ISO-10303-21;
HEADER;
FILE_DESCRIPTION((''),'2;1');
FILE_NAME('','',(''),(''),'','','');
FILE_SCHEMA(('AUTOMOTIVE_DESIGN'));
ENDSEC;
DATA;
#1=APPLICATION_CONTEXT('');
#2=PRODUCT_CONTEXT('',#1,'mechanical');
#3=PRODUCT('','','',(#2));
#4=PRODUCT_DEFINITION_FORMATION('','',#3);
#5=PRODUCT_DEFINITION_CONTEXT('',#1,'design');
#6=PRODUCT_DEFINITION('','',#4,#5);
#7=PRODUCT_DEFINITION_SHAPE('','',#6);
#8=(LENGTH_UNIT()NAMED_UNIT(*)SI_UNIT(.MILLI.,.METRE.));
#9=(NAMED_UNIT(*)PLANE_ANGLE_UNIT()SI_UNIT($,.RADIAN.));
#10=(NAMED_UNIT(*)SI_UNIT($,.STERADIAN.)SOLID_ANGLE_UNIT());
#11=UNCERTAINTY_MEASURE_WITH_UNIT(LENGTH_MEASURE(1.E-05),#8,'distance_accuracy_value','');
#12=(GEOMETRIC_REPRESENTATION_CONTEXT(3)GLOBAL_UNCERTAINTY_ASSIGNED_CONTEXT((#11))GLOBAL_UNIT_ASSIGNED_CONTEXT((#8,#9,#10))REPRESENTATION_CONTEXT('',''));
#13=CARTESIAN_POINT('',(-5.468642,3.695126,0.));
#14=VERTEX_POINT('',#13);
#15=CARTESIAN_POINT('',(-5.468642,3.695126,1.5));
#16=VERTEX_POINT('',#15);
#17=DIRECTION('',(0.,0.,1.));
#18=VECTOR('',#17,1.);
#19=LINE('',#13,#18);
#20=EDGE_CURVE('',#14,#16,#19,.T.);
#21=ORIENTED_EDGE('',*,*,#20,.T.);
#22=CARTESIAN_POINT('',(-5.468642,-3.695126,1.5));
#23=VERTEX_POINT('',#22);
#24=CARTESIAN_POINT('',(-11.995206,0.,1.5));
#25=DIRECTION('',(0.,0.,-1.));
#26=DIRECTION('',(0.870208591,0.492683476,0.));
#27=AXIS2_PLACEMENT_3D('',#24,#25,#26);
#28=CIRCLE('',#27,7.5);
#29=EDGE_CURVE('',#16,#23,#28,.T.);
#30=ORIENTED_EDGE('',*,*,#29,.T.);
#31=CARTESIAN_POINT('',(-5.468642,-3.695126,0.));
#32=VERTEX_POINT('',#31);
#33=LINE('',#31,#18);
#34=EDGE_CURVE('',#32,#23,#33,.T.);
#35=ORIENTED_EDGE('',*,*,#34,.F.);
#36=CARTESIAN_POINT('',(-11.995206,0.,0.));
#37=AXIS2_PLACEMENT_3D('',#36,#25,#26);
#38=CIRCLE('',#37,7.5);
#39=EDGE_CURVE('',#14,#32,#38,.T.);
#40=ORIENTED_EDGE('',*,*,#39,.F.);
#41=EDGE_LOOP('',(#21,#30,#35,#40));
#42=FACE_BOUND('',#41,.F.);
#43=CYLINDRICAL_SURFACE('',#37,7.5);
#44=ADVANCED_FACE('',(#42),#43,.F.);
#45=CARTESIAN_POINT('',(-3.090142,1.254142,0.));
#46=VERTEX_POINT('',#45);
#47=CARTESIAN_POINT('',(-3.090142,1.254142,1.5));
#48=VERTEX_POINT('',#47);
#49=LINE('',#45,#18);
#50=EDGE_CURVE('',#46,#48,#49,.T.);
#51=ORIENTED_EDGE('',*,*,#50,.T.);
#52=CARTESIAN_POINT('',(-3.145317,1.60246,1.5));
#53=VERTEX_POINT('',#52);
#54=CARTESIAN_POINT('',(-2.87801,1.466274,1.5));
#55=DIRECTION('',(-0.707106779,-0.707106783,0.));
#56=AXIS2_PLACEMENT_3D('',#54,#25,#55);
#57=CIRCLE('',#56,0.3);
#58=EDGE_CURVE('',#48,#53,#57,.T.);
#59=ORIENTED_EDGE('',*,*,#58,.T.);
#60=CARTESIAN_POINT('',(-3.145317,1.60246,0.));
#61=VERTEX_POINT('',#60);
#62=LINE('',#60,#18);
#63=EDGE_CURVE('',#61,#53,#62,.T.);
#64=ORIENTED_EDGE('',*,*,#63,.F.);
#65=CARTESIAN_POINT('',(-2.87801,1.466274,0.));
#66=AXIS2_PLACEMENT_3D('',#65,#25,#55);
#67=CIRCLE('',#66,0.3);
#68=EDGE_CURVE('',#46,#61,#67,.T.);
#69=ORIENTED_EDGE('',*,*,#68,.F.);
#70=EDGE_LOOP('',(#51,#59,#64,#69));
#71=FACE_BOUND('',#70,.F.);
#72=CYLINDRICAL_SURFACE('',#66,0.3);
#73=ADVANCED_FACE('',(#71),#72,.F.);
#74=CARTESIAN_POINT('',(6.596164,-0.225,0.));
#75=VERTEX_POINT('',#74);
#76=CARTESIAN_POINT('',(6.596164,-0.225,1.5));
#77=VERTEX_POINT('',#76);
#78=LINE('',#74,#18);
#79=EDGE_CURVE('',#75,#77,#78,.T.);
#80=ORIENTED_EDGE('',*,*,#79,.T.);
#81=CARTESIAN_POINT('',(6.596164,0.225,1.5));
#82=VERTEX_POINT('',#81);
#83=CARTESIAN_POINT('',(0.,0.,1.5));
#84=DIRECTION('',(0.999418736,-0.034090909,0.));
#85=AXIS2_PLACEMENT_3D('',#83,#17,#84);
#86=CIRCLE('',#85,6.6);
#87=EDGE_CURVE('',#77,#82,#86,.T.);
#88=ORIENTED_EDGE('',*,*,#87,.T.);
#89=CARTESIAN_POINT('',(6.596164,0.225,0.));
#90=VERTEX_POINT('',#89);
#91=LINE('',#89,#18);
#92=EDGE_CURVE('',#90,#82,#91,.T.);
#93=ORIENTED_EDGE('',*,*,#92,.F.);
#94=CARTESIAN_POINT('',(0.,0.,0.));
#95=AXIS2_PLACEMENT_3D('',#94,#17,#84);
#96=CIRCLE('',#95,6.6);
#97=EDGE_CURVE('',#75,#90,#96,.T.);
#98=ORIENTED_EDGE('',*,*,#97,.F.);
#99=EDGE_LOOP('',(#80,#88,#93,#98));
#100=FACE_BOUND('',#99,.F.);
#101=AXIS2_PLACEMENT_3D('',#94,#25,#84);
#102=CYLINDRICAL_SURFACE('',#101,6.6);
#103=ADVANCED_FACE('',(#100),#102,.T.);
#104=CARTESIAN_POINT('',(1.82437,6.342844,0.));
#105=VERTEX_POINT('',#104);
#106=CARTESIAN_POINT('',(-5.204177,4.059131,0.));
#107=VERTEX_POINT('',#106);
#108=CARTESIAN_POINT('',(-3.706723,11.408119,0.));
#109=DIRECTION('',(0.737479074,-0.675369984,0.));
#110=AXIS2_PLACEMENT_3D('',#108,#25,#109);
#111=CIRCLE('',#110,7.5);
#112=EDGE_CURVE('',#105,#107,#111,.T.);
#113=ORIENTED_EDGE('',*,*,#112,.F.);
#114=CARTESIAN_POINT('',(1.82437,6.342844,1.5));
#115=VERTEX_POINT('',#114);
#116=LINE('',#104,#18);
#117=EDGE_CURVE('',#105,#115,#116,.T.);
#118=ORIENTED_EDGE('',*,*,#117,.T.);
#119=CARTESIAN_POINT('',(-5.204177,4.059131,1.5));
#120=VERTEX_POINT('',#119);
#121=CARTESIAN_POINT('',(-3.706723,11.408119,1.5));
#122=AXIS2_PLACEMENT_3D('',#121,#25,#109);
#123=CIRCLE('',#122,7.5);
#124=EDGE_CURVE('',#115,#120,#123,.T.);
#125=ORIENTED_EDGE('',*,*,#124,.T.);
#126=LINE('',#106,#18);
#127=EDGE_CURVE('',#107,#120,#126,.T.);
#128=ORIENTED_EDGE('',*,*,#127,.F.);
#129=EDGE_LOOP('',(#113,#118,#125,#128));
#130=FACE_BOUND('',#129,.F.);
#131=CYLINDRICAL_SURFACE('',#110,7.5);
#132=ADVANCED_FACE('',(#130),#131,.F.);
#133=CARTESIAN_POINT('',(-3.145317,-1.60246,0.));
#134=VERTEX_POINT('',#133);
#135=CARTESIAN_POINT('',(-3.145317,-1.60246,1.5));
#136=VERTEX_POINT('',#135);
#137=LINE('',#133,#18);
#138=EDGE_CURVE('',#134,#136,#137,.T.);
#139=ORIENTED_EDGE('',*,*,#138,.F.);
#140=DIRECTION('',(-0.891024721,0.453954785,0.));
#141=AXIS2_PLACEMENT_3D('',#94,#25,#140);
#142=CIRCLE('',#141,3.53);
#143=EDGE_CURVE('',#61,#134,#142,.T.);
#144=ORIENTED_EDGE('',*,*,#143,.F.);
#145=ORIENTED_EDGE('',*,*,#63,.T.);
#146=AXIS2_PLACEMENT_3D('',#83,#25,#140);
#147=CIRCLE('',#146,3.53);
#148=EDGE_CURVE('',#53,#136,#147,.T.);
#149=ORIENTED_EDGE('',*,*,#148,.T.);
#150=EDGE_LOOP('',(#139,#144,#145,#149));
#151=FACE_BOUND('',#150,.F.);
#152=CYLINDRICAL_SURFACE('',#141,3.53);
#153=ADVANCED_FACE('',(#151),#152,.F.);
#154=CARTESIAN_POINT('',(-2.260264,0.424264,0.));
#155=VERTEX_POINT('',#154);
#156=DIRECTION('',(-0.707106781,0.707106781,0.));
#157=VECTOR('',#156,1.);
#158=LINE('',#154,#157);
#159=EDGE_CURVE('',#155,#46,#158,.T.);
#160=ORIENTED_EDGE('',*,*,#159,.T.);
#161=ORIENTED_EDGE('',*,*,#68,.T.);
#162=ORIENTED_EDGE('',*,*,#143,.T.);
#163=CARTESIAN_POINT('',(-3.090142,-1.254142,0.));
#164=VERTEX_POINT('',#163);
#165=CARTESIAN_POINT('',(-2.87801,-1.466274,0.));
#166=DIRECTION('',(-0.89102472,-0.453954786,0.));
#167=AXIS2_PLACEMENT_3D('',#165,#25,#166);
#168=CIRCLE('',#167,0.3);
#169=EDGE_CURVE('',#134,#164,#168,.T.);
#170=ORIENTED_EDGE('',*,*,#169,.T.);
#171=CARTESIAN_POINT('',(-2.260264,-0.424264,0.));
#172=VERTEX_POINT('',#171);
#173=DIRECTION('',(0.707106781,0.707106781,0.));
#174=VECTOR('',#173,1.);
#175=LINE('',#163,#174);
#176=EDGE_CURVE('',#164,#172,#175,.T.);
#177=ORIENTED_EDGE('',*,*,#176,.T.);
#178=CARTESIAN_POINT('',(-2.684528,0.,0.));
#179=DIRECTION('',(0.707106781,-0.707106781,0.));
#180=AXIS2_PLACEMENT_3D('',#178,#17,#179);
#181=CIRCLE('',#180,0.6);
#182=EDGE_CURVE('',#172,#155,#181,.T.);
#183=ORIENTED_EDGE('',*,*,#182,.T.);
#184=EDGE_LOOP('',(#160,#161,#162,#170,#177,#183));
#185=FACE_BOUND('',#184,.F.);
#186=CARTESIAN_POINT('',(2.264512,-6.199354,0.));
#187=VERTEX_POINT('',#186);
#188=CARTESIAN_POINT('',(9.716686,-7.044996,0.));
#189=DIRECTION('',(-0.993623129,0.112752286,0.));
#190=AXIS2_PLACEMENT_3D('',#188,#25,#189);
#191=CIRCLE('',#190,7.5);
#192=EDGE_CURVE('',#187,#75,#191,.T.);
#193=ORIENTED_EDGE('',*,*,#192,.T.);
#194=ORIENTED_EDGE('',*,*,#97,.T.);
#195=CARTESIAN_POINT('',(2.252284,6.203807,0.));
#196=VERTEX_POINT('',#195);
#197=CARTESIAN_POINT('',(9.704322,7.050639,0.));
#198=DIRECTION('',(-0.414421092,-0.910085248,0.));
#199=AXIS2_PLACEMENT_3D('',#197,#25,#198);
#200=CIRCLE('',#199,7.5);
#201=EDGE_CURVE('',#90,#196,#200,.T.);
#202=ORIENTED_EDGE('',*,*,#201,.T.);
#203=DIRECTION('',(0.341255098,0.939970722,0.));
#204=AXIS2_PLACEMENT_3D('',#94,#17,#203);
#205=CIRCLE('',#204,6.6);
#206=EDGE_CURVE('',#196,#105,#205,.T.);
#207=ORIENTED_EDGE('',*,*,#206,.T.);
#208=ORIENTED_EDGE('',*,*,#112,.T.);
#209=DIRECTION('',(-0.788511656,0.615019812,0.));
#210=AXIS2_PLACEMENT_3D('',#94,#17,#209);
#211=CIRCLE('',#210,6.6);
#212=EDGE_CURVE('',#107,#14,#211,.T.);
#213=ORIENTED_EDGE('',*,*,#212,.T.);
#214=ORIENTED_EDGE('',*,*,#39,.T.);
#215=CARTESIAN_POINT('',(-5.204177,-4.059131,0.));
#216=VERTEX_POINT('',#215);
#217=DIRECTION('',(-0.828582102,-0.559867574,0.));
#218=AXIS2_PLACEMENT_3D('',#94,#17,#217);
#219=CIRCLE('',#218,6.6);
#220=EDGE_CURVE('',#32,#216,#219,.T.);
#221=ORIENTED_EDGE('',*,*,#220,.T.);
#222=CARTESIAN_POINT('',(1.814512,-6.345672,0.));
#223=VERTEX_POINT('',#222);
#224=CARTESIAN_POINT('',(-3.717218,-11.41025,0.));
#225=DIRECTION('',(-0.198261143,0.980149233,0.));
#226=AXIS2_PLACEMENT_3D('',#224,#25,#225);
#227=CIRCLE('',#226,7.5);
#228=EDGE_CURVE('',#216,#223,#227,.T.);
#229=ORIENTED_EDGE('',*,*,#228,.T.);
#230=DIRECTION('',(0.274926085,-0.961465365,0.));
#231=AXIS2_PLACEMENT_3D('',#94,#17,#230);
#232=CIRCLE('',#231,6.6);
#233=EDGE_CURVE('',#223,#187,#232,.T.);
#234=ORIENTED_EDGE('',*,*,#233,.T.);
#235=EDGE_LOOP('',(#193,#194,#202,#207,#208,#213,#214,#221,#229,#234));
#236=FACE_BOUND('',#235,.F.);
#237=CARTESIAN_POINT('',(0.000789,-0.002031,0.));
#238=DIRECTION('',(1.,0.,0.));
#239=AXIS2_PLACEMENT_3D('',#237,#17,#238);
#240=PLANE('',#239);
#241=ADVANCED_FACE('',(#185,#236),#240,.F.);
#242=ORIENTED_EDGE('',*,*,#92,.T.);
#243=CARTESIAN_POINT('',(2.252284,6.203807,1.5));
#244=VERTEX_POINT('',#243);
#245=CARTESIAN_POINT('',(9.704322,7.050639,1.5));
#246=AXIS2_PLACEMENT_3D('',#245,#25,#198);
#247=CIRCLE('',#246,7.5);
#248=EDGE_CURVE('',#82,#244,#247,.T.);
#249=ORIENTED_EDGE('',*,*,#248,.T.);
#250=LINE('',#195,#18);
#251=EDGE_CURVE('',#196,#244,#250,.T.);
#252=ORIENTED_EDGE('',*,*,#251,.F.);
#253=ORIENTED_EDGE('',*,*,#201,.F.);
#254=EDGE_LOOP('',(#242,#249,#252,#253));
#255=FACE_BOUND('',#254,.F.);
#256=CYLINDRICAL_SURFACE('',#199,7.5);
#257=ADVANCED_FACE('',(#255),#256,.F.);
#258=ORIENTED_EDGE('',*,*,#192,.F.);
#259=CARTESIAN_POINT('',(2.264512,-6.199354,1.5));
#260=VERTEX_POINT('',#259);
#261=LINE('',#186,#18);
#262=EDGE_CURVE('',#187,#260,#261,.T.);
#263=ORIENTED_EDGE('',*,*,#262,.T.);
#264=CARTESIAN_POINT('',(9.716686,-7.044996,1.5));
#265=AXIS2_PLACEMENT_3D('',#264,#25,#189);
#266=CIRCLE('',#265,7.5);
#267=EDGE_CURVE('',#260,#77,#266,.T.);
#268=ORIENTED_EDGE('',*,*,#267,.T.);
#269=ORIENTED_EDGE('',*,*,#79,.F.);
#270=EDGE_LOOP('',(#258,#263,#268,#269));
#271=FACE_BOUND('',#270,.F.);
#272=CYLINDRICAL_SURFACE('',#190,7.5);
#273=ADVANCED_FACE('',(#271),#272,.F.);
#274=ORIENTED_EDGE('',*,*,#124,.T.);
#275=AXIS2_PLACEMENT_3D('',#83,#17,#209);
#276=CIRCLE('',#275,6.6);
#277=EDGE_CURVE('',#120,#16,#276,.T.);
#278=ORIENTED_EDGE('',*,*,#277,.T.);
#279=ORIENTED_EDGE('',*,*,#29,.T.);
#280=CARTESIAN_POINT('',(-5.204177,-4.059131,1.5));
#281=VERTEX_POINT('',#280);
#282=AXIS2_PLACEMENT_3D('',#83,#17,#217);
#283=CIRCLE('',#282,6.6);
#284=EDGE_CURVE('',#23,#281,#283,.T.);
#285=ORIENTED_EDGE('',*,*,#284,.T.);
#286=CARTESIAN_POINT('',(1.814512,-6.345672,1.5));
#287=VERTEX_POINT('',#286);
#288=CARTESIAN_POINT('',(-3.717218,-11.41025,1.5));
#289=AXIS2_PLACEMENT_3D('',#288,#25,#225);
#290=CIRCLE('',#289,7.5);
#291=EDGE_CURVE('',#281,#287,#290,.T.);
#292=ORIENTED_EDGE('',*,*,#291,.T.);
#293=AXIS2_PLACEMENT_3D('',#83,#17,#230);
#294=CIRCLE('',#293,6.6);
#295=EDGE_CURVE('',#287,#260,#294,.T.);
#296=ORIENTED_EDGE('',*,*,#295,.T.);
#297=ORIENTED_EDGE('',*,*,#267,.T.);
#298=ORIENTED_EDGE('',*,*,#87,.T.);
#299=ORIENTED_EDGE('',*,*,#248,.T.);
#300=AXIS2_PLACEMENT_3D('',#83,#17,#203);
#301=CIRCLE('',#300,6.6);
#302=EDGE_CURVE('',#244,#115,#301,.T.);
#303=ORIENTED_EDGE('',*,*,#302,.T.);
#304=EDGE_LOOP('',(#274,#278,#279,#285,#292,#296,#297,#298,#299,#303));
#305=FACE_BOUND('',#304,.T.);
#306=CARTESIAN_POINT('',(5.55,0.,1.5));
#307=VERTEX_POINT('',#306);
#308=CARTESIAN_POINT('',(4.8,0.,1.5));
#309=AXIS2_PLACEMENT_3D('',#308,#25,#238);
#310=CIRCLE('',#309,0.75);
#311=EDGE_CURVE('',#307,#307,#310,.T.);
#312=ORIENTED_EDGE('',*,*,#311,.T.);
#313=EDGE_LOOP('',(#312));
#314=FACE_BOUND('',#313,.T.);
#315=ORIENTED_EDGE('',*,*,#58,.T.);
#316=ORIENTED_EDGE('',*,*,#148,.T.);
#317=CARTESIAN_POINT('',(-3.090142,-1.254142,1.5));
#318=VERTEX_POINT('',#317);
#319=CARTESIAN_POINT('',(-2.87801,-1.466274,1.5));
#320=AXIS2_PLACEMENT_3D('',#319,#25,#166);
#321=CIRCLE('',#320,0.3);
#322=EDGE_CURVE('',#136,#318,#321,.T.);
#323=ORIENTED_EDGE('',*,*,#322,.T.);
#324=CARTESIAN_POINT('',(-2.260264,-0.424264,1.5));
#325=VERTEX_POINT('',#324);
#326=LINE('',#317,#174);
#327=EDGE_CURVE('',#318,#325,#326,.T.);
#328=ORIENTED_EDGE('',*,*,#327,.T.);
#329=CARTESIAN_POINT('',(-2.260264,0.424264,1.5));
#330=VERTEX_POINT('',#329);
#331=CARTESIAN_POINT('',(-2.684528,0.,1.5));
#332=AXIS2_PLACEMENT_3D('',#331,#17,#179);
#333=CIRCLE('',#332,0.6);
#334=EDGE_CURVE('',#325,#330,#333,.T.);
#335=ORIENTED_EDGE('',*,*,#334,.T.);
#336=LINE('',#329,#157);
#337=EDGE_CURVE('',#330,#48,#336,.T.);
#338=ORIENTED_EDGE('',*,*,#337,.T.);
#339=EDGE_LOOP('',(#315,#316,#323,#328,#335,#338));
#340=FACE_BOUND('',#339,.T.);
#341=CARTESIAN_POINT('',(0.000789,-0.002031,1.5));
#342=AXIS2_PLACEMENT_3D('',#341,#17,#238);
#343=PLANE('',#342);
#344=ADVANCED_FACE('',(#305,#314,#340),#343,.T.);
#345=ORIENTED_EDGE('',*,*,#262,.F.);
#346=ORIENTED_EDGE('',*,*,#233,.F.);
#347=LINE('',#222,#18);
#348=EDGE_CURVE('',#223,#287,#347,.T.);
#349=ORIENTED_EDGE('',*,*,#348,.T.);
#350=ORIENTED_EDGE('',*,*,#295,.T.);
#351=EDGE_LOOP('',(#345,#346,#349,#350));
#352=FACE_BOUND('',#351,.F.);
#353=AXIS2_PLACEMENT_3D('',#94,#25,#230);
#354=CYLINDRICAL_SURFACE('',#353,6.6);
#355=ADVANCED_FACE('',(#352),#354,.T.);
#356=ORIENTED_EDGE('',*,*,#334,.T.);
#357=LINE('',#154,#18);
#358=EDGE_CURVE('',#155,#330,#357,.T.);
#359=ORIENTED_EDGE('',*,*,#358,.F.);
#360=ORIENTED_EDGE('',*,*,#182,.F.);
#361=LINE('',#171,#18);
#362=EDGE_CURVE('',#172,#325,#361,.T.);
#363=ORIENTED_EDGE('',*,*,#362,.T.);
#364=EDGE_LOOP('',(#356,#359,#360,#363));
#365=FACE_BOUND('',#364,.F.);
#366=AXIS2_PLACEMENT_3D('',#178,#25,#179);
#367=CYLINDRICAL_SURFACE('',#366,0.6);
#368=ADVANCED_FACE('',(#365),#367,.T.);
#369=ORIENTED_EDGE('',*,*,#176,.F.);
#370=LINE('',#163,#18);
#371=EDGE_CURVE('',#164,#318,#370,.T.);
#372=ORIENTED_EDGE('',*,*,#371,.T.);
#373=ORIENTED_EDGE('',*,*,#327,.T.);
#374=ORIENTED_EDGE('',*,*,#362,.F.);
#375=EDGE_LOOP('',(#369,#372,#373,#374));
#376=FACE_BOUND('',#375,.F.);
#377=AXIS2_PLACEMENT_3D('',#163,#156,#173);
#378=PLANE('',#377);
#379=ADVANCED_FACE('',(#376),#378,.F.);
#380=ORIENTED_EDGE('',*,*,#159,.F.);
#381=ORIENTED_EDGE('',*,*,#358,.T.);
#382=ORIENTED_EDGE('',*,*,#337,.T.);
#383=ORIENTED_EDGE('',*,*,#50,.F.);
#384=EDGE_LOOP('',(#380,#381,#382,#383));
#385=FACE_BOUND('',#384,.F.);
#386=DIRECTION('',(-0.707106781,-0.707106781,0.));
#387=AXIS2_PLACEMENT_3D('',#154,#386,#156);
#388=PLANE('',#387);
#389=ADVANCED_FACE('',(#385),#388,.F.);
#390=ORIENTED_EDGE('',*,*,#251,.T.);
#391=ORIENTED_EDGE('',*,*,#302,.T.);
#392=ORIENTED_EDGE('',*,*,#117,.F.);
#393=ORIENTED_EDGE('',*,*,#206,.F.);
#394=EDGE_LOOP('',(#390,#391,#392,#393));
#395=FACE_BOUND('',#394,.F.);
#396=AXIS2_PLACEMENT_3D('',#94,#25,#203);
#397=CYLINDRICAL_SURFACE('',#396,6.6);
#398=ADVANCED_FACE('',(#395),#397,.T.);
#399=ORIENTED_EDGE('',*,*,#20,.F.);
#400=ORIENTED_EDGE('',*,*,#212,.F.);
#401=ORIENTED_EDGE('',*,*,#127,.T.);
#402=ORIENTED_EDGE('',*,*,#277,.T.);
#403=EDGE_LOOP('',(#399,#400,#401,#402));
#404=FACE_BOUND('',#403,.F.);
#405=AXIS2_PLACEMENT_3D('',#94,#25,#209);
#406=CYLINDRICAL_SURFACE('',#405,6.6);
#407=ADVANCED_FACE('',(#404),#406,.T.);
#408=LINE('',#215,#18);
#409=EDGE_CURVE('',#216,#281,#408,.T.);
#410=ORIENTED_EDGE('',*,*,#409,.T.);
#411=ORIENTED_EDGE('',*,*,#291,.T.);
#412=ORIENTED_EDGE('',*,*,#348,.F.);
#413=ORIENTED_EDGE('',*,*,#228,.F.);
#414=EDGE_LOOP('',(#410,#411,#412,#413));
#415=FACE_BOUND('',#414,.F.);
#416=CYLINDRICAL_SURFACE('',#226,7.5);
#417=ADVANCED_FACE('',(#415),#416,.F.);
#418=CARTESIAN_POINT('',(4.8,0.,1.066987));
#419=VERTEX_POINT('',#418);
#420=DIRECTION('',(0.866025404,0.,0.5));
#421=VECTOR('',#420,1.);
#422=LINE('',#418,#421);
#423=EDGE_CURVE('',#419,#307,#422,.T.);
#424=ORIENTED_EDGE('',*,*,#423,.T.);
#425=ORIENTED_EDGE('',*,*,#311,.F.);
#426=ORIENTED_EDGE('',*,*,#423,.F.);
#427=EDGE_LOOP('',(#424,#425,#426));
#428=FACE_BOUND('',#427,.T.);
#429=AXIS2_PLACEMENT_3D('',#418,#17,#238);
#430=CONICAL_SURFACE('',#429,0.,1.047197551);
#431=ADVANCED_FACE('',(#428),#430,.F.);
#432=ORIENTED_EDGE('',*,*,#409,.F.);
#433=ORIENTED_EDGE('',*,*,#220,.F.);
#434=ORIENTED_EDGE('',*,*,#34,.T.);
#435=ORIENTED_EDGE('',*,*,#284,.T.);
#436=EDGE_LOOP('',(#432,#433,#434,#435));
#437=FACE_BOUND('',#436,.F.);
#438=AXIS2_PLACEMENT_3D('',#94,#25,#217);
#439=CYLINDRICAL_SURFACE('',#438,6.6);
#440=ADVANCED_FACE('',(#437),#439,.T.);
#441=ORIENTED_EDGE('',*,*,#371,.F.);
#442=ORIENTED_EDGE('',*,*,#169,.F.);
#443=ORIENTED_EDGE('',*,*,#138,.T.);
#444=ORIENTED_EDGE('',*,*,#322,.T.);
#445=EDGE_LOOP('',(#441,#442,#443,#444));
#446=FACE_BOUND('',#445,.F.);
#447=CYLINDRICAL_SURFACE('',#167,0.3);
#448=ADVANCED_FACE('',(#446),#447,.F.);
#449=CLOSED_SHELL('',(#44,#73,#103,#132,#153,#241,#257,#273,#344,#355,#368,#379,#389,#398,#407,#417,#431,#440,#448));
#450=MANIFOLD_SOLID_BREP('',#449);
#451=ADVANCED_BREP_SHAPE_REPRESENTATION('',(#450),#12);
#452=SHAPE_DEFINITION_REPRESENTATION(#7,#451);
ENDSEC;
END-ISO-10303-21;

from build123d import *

# Parameters (mm, degrees)
F1_DEPTH = 0.5
F4_SCALE = 3


with BuildPart() as f1:
    # F0 (on Top) → F1 (new body)
    with BuildSketch(Plane.XY):
        with BuildLine():
            ThreePointArc((0.6081234737, 2.1142814502), (-0.4630317257, 1.4250651194), (-1.7347256805, 1.3530436147))
            ThreePointArc((-1.7347256805, 1.3530436147), (-1.7798374262, 1.2931275831), (-1.8228806624, 1.2317086913))
            ThreePointArc((-1.8228806624, 1.2317086913), (-1.4984021401, 0), (-1.8228806624, -1.2317086913))
            ThreePointArc((-1.8228806624, -1.2317086913), (-1.7798374262, -1.2931275831), (-1.7347256805, -1.3530436147))
            ThreePointArc((-1.7347256805, -1.3530436147), (-0.4646832841, -1.4263763437), (0.6048373994, -2.1152238487))
            ThreePointArc((0.6048373994, -2.1152238487), (0.6802746399, -2.0921822636), (0.7548374053, -2.0664512337))
            ThreePointArc((0.7548374053, -2.0664512337), (1.2149085882, -0.8808585803), (2.1987212669, -0.075000003))
            ThreePointArc((2.1987212669, -0.075000003), (2.2000000477, 0), (2.1987212669, 0.075000003))
            ThreePointArc((2.1987212669, 0.075000003), (1.2122351514, 0.8807449808), (0.7507612307, 2.0679356335))
            ThreePointArc((0.7507612307, 2.0679356335), (0.6798374024, 2.0923243812), (0.6081234737, 2.1142814502))
        make_face()
        with BuildLine():
            ThreePointArc((-1.0484390882, 0.5341534637), (1.1766666667, 0), (-1.0484390882, -0.5341534637))
            ThreePointArc((-1.0484390882, -0.5341534637), (-1.0581051368, -0.4731125583), (-1.0300472939, -0.4180473054))
            Line((-1.0300472939, -0.4180473054), (-0.7534213469, -0.1414213583))
            ThreePointArc((-0.7534213469, -0.1414213583), (-0.6948427023, 0), (-0.7534213469, 0.1414213583))
            Line((-0.7534213469, 0.1414213583), (-1.0300472939, 0.4180473054))
            ThreePointArc((-1.0300472939, 0.4180473054), (-1.0581051368, 0.4731125583), (-1.0484390882, 0.5341534637))
        make_face(mode=Mode.SUBTRACT)
    extrude(amount=F1_DEPTH)

    # F2 (on Front) → F3 (revolve, cut)
    with BuildSketch(Plane.XZ):
        Polygon((1.85, 0.5), (1.6, 0.5), (1.6, 0.3556624327), align=None)
    revolve(axis=Axis((1.6, 0, 0.4278312164), (0, 0, -1)), mode=Mode.SUBTRACT)


with BuildPart() as f1_1:
    # F4: moved
    add(f1.part.scale(F4_SCALE))


solid = f1_1.part
